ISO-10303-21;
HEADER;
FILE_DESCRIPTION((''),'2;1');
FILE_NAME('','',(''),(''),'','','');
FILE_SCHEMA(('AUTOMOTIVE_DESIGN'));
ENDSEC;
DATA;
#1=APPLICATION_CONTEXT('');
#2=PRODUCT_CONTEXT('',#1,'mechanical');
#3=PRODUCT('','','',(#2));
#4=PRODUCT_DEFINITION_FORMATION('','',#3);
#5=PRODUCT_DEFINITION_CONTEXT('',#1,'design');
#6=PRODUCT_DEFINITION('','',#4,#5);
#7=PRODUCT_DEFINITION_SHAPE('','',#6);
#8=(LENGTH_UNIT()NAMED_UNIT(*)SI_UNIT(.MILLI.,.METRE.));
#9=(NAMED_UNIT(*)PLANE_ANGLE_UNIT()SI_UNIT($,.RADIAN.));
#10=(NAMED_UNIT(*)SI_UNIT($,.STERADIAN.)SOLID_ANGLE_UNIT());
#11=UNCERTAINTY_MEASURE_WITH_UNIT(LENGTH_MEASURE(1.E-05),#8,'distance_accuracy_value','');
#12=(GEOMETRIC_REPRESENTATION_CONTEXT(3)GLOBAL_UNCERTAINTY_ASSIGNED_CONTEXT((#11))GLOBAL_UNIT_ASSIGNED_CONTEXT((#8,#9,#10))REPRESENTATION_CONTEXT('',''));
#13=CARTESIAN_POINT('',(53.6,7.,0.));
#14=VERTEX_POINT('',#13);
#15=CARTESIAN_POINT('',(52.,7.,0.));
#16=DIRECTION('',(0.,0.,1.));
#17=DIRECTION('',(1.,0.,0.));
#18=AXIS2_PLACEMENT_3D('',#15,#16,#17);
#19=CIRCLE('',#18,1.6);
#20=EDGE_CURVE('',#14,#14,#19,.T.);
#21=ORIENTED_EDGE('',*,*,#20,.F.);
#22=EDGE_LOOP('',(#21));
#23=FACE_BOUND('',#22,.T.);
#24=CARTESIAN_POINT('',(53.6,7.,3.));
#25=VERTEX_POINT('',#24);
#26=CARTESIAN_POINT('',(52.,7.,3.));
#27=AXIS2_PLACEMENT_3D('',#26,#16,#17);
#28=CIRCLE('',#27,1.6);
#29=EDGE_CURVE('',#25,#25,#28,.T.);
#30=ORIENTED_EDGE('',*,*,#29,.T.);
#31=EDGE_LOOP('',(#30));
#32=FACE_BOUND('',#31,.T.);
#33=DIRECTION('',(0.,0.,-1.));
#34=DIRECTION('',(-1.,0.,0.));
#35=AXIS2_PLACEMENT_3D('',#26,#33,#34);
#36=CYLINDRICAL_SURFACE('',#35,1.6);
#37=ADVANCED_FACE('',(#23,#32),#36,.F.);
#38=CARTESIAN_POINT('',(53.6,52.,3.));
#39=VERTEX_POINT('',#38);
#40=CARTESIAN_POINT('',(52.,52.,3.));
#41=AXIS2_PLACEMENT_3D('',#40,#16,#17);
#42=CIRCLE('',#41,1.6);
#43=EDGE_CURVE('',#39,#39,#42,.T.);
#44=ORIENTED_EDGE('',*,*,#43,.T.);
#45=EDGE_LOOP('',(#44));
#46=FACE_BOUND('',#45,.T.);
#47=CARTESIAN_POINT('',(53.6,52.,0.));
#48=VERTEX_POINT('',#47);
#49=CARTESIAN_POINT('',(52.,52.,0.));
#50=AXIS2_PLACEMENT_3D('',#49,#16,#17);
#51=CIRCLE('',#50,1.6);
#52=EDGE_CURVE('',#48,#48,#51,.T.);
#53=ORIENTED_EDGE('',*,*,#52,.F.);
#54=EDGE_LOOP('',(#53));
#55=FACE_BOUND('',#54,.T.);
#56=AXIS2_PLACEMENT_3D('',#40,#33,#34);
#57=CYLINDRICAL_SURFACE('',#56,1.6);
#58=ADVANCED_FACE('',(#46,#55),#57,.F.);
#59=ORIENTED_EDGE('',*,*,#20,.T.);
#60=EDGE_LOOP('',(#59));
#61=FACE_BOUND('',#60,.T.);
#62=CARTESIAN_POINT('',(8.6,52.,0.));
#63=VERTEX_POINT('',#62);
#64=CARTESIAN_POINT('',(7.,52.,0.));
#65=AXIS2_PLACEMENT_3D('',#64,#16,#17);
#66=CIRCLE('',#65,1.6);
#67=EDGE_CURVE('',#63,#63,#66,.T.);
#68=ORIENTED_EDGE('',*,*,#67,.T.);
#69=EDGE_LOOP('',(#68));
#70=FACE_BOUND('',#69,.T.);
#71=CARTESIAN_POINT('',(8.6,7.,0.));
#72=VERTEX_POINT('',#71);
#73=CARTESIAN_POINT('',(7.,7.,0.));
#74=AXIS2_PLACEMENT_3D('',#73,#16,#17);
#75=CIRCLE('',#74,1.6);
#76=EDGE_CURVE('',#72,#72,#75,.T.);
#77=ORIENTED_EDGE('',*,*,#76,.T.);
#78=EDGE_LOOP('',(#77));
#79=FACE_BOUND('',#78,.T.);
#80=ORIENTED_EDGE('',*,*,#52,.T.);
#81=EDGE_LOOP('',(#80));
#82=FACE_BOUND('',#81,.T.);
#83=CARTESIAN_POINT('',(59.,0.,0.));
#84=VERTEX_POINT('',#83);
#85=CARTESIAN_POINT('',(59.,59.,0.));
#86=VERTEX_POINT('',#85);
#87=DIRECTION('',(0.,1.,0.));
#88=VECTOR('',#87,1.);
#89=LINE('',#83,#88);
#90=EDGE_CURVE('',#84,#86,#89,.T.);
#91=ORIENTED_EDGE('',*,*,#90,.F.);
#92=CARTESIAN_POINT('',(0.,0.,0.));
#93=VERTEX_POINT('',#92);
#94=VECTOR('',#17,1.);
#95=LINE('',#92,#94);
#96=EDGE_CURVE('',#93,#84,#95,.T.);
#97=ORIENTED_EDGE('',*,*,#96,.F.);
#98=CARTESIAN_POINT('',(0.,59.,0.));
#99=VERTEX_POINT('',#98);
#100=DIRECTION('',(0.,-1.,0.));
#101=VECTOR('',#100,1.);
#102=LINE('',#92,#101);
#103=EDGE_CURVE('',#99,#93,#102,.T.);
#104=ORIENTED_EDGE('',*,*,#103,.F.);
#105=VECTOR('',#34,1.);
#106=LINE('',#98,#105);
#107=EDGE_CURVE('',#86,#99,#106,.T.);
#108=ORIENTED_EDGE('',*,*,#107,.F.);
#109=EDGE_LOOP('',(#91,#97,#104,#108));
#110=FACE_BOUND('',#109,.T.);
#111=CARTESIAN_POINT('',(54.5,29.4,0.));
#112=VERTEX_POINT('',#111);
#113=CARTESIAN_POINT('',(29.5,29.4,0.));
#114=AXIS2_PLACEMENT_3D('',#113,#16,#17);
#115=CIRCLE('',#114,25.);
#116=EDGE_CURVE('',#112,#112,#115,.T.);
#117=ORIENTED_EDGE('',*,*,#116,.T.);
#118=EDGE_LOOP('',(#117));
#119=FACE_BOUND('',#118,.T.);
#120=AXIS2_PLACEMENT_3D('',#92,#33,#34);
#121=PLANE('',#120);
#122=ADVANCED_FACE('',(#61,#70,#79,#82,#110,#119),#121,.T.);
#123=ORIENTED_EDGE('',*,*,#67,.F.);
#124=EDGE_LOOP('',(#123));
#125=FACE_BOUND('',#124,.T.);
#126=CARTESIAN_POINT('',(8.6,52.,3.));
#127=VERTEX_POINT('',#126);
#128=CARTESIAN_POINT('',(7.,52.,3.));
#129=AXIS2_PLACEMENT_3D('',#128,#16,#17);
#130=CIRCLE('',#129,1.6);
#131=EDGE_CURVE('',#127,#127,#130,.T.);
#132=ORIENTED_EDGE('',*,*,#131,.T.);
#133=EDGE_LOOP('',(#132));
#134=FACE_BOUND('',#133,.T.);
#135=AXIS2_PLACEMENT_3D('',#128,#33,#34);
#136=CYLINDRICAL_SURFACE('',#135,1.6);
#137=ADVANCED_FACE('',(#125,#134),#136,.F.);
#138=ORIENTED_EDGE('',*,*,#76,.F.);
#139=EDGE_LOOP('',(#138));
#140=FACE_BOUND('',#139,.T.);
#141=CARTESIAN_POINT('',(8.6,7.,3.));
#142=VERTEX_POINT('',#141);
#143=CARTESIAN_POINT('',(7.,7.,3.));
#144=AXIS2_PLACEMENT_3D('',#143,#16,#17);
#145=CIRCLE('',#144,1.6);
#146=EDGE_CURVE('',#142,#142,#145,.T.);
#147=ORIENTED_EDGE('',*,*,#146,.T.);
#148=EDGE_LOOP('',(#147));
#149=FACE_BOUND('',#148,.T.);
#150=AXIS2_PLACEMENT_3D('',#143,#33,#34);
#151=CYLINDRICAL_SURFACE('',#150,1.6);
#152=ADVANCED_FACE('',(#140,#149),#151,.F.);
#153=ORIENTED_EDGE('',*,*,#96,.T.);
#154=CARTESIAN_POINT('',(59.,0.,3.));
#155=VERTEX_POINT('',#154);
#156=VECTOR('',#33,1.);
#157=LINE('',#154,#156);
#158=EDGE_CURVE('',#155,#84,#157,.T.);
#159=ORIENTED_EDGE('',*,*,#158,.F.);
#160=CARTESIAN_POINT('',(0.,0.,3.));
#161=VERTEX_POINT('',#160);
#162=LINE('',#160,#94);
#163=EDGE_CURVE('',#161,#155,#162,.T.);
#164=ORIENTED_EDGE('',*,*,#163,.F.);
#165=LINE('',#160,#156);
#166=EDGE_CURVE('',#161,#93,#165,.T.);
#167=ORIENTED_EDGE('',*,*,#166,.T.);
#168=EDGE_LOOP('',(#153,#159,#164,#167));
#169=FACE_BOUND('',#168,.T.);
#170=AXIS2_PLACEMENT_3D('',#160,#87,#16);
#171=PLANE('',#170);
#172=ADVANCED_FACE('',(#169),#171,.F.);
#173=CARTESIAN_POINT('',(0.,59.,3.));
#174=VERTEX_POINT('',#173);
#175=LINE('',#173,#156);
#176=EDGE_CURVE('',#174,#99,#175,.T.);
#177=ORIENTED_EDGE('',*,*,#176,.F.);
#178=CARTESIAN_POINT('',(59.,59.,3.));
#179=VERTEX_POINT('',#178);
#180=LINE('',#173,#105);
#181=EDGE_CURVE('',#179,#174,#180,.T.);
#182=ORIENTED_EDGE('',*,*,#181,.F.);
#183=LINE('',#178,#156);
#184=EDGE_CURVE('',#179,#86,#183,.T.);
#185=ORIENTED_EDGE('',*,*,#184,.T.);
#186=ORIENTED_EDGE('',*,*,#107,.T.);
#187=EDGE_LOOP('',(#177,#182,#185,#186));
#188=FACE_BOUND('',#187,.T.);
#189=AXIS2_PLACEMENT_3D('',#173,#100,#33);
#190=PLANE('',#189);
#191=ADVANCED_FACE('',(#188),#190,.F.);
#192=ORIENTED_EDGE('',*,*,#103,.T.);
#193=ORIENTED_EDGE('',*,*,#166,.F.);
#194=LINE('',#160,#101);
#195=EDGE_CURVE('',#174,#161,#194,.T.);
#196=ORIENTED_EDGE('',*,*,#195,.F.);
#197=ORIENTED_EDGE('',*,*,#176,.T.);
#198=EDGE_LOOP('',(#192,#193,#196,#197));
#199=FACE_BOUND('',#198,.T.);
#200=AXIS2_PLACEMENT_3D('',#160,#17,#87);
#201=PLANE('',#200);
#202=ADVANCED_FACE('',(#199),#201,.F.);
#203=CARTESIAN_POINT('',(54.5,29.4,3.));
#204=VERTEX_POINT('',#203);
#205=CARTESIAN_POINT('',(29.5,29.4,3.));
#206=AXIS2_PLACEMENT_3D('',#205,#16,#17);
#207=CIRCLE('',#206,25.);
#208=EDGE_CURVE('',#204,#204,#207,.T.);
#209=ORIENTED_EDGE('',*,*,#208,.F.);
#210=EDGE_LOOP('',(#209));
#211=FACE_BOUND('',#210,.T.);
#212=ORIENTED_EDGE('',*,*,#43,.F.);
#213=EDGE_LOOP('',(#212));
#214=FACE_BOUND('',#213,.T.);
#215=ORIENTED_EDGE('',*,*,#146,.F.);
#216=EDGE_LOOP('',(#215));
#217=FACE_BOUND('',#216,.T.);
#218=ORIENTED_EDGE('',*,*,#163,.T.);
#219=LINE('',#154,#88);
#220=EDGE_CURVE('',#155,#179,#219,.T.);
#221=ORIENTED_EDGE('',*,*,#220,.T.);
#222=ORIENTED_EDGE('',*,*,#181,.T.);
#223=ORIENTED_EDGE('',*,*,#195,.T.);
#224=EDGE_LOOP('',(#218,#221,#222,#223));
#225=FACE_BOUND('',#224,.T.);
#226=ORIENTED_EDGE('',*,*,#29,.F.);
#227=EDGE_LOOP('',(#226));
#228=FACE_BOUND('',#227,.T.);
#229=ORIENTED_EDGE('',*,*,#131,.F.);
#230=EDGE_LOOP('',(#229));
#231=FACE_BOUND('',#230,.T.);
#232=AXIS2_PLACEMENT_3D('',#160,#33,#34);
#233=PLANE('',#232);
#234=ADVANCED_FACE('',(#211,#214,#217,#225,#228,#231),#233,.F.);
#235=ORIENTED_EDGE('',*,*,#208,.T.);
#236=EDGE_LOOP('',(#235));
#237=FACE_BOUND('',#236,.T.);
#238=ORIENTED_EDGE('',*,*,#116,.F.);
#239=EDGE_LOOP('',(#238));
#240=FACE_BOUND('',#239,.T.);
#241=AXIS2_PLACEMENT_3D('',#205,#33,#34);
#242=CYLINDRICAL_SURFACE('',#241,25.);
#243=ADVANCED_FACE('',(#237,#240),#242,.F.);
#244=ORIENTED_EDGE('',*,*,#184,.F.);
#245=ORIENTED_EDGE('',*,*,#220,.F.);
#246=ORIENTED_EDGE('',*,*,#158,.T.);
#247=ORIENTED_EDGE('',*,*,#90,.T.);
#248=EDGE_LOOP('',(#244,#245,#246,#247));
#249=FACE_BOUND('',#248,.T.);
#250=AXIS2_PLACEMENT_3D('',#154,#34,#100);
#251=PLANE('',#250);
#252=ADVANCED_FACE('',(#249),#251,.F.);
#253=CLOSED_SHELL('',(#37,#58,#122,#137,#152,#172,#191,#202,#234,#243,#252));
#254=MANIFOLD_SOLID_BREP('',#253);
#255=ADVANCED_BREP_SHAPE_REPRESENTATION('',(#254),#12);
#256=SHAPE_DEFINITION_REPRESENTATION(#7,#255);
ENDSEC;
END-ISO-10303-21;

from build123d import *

# Parameters (mm, degrees)
SKIZZE1_W                       = 59
SKIZZE1_H                       = 59
SKIZZE1_R                       = 1.6
SKIZZE1_R_2                     = 25
AUFSATZ_LINEAR_AUSTRAGEN1_DEPTH = 3


with BuildPart() as part:
    # Skizze1 → Aufsatz-Linear austragen1 (new body)
    with BuildSketch(Plane.XY):
        with Locations((29.5, 29.5)):
            Rectangle(SKIZZE1_W, SKIZZE1_H)
        with Locations((7, 52)):
            Circle(SKIZZE1_R, mode=Mode.SUBTRACT)
        with Locations((52, 52)):
            Circle(SKIZZE1_R, mode=Mode.SUBTRACT)
        with Locations((52, 7)):
            Circle(SKIZZE1_R, mode=Mode.SUBTRACT)
        with Locations((7, 7)):
            Circle(SKIZZE1_R, mode=Mode.SUBTRACT)
        with Locations((29.5, 29.4)):
            Circle(SKIZZE1_R_2, mode=Mode.SUBTRACT)
    extrude(amount=AUFSATZ_LINEAR_AUSTRAGEN1_DEPTH)


solid = part.part
